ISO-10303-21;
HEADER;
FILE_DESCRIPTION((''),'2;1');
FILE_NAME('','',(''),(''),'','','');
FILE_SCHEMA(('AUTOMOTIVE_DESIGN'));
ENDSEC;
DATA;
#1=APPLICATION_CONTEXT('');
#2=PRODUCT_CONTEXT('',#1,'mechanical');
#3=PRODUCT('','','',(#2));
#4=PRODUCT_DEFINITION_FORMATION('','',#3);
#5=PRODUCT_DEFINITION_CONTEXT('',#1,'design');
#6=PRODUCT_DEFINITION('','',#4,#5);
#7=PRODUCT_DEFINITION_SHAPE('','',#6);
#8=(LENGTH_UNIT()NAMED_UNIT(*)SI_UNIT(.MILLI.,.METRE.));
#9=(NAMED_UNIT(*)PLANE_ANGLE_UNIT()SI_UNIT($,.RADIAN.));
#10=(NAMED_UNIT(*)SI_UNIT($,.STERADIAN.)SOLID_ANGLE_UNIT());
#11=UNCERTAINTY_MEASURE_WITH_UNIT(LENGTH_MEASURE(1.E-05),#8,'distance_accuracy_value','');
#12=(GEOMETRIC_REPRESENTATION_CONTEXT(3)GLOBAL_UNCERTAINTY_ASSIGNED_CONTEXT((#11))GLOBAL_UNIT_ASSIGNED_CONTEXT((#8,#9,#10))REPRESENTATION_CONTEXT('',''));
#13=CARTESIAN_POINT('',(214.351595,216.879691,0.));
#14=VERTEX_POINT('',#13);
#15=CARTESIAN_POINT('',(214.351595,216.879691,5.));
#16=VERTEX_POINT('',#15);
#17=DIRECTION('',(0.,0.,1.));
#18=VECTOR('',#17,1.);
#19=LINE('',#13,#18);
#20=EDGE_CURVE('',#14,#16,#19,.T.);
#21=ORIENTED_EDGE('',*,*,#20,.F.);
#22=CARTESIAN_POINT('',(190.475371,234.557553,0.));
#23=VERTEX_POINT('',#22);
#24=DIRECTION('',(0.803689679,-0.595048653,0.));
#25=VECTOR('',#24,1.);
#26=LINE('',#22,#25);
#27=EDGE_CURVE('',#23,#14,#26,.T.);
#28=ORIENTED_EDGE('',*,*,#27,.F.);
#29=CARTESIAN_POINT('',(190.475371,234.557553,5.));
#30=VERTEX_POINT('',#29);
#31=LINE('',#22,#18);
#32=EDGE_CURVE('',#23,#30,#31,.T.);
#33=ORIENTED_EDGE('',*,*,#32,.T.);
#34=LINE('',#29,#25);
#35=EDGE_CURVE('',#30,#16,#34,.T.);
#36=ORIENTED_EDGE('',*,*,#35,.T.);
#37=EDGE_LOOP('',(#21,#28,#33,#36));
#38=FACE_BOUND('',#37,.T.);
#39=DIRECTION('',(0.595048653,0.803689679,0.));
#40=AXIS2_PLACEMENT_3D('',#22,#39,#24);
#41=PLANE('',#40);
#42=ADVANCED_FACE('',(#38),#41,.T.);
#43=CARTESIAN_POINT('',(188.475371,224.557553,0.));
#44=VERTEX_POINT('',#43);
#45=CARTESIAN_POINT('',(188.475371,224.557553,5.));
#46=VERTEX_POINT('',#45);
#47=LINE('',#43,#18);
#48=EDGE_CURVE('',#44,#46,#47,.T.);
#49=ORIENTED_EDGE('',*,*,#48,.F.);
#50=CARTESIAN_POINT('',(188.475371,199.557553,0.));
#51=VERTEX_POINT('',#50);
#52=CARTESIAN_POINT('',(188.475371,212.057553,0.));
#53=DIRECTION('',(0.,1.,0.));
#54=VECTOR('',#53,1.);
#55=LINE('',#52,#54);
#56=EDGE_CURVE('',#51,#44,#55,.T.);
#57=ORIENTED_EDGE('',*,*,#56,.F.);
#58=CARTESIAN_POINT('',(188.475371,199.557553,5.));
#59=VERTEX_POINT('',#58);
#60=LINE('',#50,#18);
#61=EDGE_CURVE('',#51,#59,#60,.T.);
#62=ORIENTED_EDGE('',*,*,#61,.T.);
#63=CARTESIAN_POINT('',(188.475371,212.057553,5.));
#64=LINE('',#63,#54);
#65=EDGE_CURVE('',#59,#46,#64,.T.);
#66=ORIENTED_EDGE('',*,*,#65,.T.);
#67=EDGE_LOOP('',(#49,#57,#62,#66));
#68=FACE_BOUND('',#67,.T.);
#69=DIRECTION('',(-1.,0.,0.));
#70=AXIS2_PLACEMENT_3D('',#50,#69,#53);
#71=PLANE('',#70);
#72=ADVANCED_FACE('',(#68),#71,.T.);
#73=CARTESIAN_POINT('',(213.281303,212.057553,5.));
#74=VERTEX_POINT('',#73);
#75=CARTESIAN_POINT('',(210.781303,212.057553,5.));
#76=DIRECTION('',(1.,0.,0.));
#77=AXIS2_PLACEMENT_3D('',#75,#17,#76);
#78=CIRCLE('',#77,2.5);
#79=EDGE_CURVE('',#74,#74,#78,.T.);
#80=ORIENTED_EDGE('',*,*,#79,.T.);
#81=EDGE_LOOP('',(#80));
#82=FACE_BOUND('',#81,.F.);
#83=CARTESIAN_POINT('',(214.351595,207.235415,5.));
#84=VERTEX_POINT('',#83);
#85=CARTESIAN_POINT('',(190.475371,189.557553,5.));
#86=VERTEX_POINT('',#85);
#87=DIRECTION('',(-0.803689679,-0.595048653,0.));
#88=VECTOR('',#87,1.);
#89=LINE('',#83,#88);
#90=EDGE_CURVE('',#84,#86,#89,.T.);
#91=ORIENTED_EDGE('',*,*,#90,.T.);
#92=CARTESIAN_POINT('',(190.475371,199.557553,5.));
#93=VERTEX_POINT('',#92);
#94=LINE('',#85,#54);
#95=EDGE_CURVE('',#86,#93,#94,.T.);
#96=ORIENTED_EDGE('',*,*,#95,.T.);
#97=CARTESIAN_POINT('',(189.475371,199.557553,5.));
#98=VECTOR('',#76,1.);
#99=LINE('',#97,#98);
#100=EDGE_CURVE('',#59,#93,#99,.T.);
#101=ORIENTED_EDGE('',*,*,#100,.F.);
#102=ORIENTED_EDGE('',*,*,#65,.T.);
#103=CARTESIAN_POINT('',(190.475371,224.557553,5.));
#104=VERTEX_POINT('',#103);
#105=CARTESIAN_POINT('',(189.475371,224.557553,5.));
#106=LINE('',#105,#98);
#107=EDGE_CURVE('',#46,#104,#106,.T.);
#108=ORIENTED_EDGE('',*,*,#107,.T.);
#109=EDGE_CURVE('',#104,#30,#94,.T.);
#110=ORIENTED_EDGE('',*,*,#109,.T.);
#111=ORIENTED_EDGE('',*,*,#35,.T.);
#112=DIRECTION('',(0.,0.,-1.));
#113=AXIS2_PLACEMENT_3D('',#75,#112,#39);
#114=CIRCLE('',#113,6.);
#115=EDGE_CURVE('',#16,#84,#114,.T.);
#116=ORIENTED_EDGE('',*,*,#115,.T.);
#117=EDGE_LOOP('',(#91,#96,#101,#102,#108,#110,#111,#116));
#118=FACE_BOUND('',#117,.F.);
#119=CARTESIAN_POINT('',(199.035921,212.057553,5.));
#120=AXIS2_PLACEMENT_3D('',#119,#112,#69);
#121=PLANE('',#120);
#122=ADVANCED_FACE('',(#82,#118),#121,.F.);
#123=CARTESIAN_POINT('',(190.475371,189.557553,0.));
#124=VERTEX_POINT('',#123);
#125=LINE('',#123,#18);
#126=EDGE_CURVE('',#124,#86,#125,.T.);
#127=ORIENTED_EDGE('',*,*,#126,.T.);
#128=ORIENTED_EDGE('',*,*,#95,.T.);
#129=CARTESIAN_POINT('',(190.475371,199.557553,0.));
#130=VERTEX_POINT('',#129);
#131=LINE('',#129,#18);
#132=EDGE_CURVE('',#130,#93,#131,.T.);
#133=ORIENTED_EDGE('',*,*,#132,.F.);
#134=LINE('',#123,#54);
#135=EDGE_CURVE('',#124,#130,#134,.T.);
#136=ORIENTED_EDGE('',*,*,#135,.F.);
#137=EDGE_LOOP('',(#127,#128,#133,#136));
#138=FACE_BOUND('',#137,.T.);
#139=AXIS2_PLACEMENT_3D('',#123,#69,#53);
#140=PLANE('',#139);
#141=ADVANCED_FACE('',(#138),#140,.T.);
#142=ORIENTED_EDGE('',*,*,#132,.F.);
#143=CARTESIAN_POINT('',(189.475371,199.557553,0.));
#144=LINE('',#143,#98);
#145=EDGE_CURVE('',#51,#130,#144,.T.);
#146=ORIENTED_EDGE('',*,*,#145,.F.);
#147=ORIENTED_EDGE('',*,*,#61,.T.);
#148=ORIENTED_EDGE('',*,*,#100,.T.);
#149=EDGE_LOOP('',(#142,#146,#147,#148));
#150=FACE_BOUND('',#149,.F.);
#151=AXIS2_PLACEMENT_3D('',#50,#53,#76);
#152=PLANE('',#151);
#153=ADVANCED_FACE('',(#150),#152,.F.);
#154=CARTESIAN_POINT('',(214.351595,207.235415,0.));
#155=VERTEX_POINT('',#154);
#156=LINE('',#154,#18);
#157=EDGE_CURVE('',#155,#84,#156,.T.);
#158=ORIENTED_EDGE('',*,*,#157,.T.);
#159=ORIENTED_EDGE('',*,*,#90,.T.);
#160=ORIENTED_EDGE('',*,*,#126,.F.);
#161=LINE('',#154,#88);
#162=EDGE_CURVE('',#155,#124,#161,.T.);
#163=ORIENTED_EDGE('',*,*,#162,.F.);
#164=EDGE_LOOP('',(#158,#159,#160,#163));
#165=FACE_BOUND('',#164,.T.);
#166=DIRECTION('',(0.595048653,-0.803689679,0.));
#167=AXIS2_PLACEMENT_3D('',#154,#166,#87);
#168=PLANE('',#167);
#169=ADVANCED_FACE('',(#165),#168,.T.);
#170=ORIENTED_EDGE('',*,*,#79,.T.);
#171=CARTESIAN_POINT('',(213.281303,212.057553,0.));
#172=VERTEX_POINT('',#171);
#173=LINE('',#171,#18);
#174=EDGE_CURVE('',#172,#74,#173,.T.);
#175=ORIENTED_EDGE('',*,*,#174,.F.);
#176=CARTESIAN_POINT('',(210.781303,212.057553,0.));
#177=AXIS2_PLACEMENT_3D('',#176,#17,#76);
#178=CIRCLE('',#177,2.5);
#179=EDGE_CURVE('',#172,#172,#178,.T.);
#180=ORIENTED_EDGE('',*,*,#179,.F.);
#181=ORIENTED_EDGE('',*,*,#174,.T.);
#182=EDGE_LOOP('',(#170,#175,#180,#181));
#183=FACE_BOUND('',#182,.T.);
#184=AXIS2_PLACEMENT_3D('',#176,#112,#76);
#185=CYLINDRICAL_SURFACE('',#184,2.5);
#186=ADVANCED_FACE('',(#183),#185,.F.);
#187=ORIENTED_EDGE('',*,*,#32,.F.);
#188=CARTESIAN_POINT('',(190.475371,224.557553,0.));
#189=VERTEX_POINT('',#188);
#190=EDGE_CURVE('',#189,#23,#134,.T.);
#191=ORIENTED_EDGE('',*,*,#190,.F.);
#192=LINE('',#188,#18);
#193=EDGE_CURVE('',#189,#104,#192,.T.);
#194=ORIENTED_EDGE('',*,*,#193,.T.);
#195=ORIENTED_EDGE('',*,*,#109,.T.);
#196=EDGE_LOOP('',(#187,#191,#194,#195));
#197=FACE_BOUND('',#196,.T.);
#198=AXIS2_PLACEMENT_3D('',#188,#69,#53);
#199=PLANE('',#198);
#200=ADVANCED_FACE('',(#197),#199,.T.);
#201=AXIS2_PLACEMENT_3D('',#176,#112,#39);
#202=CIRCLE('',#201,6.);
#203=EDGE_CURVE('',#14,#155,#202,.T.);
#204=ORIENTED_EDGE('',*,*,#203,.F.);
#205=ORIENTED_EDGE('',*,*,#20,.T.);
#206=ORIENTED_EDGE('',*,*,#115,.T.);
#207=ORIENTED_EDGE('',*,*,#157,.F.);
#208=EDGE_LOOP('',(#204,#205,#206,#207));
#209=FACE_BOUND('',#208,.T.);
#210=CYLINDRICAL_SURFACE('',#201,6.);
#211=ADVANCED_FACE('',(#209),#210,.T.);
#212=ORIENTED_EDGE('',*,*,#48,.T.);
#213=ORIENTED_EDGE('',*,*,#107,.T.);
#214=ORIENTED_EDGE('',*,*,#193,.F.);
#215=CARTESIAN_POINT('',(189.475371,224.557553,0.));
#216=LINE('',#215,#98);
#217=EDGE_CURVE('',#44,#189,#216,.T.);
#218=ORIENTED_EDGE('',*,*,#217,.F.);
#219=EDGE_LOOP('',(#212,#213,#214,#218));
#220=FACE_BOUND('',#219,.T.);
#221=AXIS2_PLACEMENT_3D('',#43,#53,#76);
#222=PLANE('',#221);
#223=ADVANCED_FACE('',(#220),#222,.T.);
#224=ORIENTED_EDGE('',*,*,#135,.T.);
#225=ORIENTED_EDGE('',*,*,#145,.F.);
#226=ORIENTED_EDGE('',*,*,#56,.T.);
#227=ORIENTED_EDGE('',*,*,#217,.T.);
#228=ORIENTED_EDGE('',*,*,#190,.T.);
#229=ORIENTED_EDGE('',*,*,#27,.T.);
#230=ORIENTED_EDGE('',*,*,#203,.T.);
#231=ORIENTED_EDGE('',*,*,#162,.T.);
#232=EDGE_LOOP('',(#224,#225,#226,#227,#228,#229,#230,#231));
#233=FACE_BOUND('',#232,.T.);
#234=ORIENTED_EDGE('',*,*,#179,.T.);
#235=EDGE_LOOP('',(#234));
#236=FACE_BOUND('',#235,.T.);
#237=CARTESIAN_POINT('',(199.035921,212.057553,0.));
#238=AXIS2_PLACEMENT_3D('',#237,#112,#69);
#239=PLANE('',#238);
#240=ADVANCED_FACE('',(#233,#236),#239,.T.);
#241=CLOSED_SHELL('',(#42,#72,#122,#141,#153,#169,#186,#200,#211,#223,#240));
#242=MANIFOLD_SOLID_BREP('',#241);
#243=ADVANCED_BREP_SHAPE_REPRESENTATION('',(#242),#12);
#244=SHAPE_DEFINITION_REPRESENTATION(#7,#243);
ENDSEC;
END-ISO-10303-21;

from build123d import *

# Parameters (mm, degrees)
SZKIC1_R                    = 2.5
SZKIC1_W                    = 2
SZKIC1_H                    = 25
DODANIE_WYCI_GNI_CIE1_DEPTH = 5


with BuildPart() as part:
    # Szkic1 → Dodanie-wyciągnięcie1 (new body)
    with BuildSketch(Plane.XY):
        with BuildLine():
            ThreePointArc((214.351594971, 216.879691308), (216.781303051, 212.057553235), (214.351594971, 207.235415161))
            Line((214.351594971, 207.235415161), (190.475370577, 189.557553235))
            Line((190.475370577, 189.557553235), (190.475370577, 199.557553235))
            Line((190.475370577, 199.557553235), (190.475370577, 224.557553235))
            Line((190.475370577, 224.557553235), (190.475370577, 234.557553235))
            Line((190.475370577, 234.557553235), (214.351594971, 216.879691308))
        make_face()
        with Locations((210.781303051, 212.057553235)):
            Circle(SZKIC1_R, mode=Mode.SUBTRACT)
        with Locations((189.475370577, 212.057553235)):
            Rectangle(SZKIC1_W, SZKIC1_H)
    extrude(amount=DODANIE_WYCI_GNI_CIE1_DEPTH)


solid = part.part
